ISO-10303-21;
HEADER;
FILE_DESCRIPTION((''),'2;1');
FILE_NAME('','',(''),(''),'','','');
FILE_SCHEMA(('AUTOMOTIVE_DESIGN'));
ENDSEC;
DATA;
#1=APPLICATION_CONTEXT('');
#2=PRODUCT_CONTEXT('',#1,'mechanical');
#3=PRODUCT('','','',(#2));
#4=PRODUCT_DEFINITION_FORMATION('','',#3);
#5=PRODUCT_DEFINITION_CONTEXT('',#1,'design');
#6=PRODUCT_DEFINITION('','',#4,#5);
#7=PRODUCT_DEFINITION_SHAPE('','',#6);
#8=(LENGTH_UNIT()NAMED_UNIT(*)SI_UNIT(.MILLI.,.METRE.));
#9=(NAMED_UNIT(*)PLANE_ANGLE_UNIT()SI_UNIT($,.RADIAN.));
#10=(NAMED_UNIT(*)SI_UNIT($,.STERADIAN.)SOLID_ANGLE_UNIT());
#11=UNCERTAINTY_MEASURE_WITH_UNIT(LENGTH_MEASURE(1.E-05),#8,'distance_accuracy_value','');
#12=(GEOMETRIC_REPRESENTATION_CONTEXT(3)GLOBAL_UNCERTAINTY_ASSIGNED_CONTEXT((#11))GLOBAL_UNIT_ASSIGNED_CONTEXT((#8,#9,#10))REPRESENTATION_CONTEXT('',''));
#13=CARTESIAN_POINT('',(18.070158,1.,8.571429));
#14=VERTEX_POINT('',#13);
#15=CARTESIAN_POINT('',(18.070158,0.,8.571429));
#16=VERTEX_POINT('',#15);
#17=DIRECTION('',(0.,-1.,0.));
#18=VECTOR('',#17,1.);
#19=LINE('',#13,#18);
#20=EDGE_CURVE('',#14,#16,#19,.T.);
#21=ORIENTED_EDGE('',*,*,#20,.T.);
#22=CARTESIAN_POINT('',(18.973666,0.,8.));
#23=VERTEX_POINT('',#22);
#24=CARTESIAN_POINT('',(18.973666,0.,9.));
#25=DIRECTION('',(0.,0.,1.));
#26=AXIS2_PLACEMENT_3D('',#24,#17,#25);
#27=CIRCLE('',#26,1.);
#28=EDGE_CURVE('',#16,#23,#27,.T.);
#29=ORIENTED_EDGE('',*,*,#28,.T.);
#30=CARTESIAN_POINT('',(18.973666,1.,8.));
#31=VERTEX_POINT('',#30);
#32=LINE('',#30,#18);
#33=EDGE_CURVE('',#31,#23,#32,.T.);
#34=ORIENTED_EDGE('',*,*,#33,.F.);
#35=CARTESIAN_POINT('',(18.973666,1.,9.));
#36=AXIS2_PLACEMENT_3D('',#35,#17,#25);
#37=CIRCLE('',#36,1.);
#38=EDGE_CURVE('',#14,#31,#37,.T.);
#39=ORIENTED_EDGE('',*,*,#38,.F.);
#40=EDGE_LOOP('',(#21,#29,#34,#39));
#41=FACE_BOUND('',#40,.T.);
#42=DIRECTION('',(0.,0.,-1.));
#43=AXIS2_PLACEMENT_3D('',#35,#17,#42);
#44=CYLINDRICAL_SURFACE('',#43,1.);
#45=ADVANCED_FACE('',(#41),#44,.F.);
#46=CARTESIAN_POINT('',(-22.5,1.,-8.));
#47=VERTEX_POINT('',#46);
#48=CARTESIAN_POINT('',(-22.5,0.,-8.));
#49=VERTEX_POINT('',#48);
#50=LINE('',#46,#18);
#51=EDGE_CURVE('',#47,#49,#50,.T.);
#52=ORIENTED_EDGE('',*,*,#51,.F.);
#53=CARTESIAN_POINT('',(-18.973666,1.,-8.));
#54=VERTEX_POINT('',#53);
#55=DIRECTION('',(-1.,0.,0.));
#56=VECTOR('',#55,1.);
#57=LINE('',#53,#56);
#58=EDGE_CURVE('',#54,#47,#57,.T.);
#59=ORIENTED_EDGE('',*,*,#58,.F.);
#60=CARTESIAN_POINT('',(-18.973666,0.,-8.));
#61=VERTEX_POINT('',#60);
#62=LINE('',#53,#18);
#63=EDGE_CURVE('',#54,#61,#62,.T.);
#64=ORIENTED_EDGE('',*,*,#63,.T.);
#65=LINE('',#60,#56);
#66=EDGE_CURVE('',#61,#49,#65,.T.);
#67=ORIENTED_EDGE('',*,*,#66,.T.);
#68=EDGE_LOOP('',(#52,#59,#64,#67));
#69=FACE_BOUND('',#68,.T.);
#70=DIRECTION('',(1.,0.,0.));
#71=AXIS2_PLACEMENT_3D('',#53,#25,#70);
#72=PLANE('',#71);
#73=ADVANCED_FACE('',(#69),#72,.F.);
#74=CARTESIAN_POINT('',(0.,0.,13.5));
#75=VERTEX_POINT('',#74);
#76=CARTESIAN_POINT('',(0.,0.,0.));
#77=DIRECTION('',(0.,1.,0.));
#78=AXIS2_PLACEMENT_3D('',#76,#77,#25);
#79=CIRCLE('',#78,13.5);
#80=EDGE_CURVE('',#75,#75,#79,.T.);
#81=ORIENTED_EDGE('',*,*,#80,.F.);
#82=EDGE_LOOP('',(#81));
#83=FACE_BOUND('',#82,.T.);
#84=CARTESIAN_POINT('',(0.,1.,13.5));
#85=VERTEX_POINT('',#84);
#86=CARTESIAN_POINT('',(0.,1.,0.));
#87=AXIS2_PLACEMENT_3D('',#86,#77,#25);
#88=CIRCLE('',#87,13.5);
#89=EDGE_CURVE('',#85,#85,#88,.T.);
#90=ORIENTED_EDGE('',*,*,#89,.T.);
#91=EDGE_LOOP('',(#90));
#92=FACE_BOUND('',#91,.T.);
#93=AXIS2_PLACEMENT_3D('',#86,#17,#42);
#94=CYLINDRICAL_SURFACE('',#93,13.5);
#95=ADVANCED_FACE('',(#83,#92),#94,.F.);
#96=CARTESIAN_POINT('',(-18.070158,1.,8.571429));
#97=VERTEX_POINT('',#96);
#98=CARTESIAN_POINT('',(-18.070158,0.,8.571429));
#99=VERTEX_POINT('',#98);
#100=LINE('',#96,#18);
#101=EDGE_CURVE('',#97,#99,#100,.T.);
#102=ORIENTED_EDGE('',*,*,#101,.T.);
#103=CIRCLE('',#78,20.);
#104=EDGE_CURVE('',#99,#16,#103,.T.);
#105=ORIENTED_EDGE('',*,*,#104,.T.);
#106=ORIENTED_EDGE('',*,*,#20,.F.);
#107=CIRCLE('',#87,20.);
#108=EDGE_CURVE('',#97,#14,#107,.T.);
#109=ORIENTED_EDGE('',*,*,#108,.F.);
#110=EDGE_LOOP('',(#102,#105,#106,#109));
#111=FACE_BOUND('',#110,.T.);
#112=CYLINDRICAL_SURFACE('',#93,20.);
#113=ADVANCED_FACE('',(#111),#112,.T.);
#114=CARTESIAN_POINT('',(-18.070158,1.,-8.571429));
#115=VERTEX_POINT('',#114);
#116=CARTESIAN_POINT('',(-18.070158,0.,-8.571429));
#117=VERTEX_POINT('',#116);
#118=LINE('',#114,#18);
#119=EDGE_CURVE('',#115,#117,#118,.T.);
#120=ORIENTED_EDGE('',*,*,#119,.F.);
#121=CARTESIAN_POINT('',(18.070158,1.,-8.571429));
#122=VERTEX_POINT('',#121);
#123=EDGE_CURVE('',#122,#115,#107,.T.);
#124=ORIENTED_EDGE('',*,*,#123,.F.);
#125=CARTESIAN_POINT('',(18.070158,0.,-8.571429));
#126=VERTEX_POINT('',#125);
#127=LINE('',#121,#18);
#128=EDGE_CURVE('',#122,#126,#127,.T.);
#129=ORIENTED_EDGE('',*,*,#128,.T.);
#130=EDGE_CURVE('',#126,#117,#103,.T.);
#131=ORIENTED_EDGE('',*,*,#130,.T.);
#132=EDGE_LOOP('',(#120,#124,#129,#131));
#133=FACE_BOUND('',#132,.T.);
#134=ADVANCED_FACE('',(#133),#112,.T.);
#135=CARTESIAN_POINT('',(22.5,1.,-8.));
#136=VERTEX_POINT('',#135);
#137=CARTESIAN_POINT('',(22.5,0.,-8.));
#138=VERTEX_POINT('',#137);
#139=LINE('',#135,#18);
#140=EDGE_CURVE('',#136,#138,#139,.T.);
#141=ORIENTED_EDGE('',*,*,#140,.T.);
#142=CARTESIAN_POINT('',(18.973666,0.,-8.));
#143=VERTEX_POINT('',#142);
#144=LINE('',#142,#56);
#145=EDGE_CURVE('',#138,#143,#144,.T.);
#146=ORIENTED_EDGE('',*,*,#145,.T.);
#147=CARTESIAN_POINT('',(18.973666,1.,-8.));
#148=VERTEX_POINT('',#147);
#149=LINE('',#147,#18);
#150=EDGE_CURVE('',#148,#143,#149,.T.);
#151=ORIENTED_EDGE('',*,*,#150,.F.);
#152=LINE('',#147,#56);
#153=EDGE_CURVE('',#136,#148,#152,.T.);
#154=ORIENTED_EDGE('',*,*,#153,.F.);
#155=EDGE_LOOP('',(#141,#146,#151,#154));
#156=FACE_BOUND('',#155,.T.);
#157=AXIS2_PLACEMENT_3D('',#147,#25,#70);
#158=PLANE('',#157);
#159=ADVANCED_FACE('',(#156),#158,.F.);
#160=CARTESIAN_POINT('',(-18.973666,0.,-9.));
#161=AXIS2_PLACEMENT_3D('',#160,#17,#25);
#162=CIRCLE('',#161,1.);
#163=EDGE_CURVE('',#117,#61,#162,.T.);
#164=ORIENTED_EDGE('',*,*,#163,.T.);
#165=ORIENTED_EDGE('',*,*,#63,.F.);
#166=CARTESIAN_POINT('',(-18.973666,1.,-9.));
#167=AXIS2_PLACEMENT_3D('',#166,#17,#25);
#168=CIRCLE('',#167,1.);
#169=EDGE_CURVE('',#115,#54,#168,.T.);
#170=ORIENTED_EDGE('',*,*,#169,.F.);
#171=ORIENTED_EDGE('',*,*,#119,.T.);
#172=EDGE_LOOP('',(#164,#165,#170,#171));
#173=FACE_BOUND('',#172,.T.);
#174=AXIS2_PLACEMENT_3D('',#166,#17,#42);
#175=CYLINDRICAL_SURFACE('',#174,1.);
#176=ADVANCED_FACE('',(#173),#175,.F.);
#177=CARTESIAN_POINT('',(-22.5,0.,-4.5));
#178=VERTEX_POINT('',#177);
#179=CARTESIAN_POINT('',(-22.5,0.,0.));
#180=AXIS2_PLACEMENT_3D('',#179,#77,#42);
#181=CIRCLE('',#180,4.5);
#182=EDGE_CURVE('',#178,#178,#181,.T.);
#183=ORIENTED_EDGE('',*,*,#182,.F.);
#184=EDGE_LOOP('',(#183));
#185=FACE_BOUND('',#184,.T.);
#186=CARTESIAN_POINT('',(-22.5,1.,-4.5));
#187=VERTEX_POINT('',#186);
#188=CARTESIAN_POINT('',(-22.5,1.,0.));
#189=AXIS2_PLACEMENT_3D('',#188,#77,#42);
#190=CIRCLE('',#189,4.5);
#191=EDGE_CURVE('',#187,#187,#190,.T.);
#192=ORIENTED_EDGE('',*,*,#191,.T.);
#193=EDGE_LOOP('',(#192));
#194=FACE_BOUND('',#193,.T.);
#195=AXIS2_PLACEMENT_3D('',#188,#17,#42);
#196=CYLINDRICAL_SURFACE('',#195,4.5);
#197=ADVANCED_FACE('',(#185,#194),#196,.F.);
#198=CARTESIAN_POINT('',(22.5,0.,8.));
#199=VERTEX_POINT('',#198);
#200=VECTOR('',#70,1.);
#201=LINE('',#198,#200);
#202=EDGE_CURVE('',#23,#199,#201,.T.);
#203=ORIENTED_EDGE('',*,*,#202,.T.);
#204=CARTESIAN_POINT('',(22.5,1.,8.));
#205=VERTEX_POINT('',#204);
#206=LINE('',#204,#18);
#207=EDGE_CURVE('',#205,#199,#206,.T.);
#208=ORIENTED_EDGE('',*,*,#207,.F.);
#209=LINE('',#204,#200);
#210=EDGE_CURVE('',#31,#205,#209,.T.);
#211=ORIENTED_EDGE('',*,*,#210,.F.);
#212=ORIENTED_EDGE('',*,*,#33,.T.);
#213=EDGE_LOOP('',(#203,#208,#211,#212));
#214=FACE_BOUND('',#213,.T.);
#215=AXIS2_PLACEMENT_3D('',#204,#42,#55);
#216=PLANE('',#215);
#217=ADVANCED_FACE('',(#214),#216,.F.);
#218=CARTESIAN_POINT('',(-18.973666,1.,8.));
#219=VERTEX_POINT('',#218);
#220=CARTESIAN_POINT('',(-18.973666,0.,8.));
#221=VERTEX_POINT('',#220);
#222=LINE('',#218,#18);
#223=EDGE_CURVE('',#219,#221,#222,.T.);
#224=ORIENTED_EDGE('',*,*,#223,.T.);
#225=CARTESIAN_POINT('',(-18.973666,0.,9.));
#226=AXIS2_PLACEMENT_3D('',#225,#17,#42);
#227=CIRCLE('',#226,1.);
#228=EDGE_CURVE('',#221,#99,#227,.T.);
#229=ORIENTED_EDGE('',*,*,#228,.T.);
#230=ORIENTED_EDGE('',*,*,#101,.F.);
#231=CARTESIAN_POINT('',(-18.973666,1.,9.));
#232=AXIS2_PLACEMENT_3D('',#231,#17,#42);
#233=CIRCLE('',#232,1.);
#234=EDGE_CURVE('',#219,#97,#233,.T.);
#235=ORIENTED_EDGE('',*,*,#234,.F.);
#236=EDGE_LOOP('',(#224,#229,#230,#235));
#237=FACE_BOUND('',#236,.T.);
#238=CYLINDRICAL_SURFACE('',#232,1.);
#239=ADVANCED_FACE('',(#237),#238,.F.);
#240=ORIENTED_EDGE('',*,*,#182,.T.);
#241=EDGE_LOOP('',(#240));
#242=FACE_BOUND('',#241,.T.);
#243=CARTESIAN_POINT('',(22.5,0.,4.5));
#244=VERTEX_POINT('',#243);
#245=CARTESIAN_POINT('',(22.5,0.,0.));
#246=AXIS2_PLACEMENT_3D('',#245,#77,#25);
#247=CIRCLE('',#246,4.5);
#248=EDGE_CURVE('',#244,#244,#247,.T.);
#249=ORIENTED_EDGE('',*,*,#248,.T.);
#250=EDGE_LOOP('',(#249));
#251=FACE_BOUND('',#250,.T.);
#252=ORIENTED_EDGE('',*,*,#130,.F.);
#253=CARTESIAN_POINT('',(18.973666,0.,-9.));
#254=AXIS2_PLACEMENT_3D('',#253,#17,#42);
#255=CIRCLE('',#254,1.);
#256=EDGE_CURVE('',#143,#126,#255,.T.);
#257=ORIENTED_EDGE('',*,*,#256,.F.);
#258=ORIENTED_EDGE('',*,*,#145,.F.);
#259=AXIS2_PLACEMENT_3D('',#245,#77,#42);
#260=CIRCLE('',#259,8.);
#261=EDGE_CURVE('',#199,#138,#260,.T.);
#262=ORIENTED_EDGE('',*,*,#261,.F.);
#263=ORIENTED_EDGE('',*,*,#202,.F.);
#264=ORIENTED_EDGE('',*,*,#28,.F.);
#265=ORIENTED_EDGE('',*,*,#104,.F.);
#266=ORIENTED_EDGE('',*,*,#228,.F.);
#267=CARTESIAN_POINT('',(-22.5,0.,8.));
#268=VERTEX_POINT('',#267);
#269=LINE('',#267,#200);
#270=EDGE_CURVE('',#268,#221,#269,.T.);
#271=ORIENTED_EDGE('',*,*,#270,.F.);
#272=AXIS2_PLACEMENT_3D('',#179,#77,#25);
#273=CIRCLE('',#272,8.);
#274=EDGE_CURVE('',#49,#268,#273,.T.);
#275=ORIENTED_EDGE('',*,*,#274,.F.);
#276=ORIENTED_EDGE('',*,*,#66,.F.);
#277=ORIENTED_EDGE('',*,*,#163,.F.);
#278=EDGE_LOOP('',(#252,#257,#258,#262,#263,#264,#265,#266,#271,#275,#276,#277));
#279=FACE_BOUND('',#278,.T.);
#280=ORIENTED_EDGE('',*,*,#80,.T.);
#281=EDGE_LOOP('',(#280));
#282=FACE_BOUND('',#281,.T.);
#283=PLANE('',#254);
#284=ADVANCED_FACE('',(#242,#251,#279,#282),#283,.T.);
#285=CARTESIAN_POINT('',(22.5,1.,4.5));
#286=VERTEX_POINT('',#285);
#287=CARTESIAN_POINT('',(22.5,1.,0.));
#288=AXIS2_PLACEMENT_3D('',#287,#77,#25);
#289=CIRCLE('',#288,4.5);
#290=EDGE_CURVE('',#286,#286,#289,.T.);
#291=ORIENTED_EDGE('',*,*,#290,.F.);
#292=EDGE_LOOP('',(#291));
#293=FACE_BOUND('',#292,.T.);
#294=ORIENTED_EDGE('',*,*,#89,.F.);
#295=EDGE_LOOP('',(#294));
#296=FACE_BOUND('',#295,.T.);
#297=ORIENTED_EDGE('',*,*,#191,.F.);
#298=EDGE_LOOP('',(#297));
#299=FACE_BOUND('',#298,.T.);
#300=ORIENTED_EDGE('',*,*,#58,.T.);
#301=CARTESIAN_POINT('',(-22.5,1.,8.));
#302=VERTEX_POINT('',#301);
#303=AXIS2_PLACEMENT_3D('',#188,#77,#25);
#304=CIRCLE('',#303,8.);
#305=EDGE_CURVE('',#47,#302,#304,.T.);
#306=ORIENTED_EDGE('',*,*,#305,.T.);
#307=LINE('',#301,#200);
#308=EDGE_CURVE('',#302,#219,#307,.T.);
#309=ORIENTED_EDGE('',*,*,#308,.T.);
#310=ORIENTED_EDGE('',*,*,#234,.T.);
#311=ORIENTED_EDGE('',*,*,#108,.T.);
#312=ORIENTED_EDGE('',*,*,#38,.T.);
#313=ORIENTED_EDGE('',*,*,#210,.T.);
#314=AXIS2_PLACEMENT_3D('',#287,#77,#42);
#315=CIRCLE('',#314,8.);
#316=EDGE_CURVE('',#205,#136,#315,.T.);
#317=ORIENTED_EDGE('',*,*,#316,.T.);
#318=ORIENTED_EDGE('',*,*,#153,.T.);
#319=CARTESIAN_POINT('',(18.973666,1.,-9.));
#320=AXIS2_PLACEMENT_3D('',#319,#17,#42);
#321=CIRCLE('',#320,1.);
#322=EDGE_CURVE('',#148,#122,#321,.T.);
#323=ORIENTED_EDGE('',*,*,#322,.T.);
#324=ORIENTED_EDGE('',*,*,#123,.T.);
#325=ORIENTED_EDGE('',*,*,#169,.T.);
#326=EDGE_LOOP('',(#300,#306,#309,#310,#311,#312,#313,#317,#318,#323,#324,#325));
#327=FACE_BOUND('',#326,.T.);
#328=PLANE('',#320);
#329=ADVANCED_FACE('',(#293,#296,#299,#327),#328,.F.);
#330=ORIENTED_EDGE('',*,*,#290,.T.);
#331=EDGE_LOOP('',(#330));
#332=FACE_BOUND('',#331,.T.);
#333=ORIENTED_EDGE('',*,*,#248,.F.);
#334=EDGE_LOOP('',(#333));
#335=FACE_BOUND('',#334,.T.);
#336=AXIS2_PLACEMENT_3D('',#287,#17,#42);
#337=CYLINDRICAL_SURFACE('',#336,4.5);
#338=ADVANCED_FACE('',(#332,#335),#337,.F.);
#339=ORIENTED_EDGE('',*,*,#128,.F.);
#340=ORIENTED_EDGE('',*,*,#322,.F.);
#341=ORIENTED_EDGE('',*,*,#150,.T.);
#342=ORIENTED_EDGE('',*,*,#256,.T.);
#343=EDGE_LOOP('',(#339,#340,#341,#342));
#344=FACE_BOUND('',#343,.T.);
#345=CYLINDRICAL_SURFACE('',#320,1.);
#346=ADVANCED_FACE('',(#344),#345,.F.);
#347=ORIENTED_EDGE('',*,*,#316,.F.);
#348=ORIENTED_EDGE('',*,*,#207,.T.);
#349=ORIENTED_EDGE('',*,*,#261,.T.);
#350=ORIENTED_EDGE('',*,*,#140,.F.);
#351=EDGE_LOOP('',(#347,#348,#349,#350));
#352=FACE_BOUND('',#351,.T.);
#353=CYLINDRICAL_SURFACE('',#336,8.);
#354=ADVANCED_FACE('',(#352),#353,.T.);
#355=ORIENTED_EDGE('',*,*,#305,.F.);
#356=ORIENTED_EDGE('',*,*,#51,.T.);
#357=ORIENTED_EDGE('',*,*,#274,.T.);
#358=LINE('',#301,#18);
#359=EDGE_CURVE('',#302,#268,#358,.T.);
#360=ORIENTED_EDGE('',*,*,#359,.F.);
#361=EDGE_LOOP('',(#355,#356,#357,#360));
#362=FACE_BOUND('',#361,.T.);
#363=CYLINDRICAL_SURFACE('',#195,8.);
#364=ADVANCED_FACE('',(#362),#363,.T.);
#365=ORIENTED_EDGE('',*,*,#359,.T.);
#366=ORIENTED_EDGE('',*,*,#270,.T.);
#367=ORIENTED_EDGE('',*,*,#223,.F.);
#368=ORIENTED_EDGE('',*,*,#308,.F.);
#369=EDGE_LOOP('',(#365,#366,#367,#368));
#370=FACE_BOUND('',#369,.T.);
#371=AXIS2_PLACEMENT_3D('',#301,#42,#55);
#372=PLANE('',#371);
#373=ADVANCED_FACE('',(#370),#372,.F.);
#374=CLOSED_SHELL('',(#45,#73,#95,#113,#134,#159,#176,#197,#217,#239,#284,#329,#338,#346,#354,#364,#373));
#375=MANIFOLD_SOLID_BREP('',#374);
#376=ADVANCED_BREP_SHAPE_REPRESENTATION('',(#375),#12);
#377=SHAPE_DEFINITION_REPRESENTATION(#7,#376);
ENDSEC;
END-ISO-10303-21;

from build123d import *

# Parameters (mm, degrees)
SKETCH_1_R      = 13.5
SKETCH_1_R_2    = 4.5
EXTRUDE_1_DEPTH = 1


with BuildPart() as part:
    # 草圖1 → 伸長1 (new body)
    with BuildSketch(Plane(origin=(0, 0, 0), x_dir=(1, 0, 0), z_dir=(0, 1, 0))):
        with BuildLine():
            Line((18.973665961, 8), (22.5, 8))
            ThreePointArc((22.5, 8), (30.5, 0), (22.5, -8))
            Line((22.5, -8), (18.973665961, -8))
            ThreePointArc((18.973665961, -8), (18.439143477, -8.154845745), (18.070158058, -8.571428571))
            ThreePointArc((18.070158058, -8.571428571), (0, -20), (-18.070158058, -8.571428571))
            ThreePointArc((-18.070158058, -8.571428571), (-18.439143477, -8.154845745), (-18.973665961, -8))
            Line((-18.973665961, -8), (-22.5, -8))
            ThreePointArc((-22.5, -8), (-30.5, 0), (-22.5, 8))
            Line((-22.5, 8), (-18.973665961, 8))
            ThreePointArc((-18.973665961, 8), (-18.439143477, 8.154845745), (-18.070158058, 8.571428571))
            ThreePointArc((-18.070158058, 8.571428571), (0, 20), (18.070158058, 8.571428571))
            ThreePointArc((18.070158058, 8.571428571), (18.439143477, 8.154845745), (18.973665961, 8))
        make_face()
        with Locations(Location((0, 0, 0), (0, 0, 270))):
            Circle(SKETCH_1_R, mode=Mode.SUBTRACT)
        with Locations(Location((22.5, 0, 0), (0, 0, 270))):
            Circle(SKETCH_1_R_2, mode=Mode.SUBTRACT)
        with Locations(Location((-22.5, 0, 0), (0, 0, 90))):
            Circle(SKETCH_1_R_2, mode=Mode.SUBTRACT)
    extrude(amount=EXTRUDE_1_DEPTH)


solid = part.part
